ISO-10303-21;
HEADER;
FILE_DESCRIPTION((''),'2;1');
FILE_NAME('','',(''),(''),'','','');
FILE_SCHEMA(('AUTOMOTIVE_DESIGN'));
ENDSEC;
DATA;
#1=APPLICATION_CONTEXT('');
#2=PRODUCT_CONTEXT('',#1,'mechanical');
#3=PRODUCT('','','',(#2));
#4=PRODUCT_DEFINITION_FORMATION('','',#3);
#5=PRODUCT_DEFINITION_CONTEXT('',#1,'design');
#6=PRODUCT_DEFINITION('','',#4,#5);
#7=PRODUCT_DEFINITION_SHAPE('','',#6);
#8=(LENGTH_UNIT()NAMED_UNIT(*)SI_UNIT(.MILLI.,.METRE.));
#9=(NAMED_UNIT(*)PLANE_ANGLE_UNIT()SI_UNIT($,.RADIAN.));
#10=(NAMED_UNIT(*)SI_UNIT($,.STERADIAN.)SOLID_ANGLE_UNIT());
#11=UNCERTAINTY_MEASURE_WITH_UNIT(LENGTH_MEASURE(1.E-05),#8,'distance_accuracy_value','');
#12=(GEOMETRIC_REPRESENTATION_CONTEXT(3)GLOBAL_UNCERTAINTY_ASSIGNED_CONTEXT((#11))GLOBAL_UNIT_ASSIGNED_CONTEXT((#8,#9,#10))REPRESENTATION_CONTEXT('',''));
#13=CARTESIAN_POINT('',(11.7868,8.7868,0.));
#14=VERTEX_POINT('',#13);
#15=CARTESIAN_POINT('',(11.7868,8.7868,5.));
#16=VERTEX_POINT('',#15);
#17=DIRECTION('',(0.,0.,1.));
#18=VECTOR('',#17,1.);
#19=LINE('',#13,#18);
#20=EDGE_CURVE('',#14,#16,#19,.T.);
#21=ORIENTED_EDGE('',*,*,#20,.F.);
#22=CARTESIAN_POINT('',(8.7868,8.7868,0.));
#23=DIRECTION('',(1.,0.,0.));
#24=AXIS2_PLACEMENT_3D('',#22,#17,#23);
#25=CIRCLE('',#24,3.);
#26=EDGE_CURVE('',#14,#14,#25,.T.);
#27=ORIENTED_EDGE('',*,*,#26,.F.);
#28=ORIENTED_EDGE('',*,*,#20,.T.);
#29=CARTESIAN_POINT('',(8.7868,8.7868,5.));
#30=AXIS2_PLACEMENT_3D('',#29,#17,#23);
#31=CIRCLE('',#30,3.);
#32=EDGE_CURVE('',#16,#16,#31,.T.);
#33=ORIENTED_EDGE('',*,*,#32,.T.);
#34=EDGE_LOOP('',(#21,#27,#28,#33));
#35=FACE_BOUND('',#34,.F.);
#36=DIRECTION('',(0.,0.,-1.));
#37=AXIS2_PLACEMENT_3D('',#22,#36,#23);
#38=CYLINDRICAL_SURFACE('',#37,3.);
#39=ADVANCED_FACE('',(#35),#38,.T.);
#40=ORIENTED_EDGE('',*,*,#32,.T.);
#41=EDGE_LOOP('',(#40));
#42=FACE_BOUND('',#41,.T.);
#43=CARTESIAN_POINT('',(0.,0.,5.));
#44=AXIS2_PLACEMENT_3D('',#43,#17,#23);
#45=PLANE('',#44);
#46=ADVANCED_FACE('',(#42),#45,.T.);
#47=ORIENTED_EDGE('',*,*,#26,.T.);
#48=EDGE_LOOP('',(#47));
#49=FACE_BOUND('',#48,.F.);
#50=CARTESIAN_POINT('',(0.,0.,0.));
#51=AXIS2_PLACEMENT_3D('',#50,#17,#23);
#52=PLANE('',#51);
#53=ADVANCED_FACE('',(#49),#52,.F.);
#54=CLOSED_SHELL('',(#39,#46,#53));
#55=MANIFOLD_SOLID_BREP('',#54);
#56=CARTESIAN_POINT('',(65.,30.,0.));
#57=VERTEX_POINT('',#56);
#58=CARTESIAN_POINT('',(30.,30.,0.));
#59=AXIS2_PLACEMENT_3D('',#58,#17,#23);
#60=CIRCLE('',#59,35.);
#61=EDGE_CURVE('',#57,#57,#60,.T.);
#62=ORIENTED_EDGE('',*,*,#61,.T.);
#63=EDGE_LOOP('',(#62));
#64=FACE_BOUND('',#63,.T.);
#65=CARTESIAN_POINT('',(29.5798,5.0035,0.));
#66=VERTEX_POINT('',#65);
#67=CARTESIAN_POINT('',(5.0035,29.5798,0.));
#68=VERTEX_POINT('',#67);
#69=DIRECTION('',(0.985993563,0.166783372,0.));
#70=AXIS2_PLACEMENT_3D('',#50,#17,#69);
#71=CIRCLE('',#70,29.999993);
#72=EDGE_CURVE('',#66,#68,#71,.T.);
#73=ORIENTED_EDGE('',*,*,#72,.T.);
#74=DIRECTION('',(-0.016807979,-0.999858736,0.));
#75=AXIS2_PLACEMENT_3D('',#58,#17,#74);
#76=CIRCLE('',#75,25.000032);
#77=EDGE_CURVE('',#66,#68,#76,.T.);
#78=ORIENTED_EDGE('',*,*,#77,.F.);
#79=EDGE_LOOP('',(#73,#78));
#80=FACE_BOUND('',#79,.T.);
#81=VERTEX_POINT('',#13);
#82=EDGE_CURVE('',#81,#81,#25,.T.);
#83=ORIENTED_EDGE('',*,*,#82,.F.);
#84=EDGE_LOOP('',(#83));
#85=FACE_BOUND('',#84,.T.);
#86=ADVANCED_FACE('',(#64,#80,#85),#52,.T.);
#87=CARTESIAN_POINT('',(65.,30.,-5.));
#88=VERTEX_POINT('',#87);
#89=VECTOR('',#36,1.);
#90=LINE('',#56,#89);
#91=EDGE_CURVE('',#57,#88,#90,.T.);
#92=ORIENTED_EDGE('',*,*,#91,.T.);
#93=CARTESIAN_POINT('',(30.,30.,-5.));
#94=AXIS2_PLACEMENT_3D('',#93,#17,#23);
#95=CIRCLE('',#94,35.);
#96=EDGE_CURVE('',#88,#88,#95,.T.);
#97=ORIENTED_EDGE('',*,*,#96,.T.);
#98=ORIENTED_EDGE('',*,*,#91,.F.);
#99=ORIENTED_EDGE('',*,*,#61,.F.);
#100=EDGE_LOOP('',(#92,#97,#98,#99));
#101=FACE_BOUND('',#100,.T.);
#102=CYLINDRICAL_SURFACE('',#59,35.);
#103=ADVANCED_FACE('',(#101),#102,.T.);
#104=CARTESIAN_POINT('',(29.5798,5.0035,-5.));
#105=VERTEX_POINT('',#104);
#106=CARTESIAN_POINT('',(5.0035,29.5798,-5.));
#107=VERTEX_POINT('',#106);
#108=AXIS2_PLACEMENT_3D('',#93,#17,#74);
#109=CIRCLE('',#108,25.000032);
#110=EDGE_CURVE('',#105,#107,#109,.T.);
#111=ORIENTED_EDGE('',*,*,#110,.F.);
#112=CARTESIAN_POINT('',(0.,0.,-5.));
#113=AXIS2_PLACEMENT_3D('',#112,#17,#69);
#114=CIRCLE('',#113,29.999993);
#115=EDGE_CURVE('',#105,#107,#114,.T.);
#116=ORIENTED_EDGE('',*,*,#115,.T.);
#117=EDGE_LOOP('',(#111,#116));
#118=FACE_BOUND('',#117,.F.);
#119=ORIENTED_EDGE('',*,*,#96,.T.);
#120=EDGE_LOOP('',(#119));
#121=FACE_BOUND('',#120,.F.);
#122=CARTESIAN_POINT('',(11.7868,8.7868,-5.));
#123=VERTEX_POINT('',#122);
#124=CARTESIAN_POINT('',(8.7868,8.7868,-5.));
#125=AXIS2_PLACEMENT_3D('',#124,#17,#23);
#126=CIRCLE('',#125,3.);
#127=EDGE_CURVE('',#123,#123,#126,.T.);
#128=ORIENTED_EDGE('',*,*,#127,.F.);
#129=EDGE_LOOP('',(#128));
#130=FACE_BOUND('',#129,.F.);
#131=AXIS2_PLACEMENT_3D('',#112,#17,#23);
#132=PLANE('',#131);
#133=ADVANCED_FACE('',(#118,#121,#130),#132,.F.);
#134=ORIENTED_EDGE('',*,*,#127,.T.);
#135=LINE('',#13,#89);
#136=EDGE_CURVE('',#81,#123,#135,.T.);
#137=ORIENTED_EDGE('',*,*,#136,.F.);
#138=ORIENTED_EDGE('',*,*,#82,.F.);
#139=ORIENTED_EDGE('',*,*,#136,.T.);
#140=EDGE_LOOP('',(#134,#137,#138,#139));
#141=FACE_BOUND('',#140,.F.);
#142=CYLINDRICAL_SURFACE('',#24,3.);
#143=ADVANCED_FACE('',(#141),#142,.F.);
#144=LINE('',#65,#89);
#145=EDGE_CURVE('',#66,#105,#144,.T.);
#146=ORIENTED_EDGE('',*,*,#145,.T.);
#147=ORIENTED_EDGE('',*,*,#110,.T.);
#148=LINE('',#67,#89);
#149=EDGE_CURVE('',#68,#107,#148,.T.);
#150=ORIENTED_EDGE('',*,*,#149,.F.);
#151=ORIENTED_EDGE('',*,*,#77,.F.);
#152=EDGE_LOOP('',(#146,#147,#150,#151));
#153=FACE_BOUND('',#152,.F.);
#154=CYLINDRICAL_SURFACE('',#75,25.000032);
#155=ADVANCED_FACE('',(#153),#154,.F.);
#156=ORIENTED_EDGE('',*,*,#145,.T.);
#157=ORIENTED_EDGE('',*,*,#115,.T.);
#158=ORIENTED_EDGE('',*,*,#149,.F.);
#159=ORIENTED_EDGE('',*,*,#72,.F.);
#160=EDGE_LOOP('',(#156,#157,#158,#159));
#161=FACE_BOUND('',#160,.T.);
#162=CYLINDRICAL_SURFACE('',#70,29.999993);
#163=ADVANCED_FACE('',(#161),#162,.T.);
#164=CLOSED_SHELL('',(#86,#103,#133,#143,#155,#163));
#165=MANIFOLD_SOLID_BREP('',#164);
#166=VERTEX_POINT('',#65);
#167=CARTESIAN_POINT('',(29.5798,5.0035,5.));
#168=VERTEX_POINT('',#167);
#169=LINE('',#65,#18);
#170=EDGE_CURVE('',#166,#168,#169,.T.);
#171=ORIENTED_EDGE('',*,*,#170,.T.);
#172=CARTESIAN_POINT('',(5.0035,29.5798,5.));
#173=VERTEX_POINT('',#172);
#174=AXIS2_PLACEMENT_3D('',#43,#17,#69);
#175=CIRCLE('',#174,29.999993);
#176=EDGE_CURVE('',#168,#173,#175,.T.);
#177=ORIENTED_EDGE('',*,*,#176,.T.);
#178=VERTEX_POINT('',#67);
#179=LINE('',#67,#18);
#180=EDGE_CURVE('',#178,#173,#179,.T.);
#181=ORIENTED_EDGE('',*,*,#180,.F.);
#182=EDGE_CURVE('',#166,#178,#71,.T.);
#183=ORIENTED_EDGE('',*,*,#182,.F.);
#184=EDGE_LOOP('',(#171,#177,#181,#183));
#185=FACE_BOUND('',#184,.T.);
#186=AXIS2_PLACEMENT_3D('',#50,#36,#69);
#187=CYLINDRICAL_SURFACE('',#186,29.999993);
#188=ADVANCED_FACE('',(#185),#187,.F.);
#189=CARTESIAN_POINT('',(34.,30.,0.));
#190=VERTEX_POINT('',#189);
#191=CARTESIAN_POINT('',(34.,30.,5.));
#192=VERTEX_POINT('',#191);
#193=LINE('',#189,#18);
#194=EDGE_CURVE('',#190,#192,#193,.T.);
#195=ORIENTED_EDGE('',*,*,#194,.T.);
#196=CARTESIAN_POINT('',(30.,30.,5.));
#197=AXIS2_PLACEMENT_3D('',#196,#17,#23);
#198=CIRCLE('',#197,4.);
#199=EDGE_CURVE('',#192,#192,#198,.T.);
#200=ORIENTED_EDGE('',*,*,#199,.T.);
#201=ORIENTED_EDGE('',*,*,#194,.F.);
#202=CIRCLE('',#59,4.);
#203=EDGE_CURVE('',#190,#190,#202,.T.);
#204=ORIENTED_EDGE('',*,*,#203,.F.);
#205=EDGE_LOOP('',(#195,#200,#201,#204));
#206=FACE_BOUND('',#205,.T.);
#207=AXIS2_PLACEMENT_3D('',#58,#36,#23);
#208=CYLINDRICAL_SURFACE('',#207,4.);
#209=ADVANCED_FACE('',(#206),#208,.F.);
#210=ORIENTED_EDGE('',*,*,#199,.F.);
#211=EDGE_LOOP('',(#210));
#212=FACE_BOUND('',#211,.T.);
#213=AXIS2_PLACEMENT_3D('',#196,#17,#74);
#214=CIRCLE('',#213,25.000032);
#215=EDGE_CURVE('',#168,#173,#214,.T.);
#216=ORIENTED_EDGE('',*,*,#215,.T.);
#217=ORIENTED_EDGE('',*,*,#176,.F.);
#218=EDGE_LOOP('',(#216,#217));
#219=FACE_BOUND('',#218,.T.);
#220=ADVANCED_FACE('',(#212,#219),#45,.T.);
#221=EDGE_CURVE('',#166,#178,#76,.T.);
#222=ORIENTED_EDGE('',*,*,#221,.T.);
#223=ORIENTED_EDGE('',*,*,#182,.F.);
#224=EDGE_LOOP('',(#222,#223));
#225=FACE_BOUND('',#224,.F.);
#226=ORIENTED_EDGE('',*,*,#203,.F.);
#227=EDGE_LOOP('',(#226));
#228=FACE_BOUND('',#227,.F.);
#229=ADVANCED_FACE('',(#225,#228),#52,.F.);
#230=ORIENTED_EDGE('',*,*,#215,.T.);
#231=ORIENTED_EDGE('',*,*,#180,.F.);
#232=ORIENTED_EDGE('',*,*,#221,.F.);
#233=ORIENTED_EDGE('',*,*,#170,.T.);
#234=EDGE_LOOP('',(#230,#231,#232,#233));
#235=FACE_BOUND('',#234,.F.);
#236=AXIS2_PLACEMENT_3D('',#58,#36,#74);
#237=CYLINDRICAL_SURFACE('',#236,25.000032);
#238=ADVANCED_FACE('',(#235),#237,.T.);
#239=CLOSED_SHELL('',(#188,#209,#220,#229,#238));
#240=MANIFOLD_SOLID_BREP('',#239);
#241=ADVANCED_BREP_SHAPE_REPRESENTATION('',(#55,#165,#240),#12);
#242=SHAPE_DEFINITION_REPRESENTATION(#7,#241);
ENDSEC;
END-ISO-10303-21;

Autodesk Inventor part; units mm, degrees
ref_plane "YZ Plane" through (0, 0, 0) normal (1, 0, 0) x (0, 1, 0)
ref_plane "XZ Plane" through (0, 0, 0) normal (0, 1, 0) x (-1, 0, 0)
ref_plane "XY Plane" through (0, 0, 0) normal (0, 0, 1) x (1, 0, 0)
sketch "Sketch1" plane through (0, 0, 0) normal (0, 0, 1) x (1, 0, 0)
  line L0 (0, 0) -> (30, 0) construction
  line L1 (30, 0) -> (30, 30) construction
  line L2 (30, 30) -> (0, 30) construction
  line L3 (0, 30) -> (0, 0) construction
  circle A0 centre (0, 0) radius 30 construction
  circle A1 centre (30, 30) radius 30 construction
  arc A2 (29.5798, 5.0035) -> (5.0035, 29.5798) centre (30, 30) ccw
  circle A3 centre (30, 30) radius 35
  arc A4 (29.5798, 5.0035) -> (5.0035, 29.5798) centre (0, 0) ccw
  line L4 (0, 0) -> (30, 30) construction
  circle A5 centre (30, 30) radius 4
  circle A6 centre (8.7868, 8.7868) radius 3
  dimension "d3" = 60
  dimension "d0" = 30
  dimension "d1" = 30
  dimension "d2" = 60
  dimension "d4" = 50
  dimension "d5" = 70
  dimension "d6" = 8
  dimension "d7" = 6
extrude "Extrusion1" add sketch "Sketch1" along normal blind 5 contours A4 A2 | A6
extrude "Extrusion2" add sketch "Sketch1" against normal blind 5 contours A3
properties part number "Geneva_driver"
